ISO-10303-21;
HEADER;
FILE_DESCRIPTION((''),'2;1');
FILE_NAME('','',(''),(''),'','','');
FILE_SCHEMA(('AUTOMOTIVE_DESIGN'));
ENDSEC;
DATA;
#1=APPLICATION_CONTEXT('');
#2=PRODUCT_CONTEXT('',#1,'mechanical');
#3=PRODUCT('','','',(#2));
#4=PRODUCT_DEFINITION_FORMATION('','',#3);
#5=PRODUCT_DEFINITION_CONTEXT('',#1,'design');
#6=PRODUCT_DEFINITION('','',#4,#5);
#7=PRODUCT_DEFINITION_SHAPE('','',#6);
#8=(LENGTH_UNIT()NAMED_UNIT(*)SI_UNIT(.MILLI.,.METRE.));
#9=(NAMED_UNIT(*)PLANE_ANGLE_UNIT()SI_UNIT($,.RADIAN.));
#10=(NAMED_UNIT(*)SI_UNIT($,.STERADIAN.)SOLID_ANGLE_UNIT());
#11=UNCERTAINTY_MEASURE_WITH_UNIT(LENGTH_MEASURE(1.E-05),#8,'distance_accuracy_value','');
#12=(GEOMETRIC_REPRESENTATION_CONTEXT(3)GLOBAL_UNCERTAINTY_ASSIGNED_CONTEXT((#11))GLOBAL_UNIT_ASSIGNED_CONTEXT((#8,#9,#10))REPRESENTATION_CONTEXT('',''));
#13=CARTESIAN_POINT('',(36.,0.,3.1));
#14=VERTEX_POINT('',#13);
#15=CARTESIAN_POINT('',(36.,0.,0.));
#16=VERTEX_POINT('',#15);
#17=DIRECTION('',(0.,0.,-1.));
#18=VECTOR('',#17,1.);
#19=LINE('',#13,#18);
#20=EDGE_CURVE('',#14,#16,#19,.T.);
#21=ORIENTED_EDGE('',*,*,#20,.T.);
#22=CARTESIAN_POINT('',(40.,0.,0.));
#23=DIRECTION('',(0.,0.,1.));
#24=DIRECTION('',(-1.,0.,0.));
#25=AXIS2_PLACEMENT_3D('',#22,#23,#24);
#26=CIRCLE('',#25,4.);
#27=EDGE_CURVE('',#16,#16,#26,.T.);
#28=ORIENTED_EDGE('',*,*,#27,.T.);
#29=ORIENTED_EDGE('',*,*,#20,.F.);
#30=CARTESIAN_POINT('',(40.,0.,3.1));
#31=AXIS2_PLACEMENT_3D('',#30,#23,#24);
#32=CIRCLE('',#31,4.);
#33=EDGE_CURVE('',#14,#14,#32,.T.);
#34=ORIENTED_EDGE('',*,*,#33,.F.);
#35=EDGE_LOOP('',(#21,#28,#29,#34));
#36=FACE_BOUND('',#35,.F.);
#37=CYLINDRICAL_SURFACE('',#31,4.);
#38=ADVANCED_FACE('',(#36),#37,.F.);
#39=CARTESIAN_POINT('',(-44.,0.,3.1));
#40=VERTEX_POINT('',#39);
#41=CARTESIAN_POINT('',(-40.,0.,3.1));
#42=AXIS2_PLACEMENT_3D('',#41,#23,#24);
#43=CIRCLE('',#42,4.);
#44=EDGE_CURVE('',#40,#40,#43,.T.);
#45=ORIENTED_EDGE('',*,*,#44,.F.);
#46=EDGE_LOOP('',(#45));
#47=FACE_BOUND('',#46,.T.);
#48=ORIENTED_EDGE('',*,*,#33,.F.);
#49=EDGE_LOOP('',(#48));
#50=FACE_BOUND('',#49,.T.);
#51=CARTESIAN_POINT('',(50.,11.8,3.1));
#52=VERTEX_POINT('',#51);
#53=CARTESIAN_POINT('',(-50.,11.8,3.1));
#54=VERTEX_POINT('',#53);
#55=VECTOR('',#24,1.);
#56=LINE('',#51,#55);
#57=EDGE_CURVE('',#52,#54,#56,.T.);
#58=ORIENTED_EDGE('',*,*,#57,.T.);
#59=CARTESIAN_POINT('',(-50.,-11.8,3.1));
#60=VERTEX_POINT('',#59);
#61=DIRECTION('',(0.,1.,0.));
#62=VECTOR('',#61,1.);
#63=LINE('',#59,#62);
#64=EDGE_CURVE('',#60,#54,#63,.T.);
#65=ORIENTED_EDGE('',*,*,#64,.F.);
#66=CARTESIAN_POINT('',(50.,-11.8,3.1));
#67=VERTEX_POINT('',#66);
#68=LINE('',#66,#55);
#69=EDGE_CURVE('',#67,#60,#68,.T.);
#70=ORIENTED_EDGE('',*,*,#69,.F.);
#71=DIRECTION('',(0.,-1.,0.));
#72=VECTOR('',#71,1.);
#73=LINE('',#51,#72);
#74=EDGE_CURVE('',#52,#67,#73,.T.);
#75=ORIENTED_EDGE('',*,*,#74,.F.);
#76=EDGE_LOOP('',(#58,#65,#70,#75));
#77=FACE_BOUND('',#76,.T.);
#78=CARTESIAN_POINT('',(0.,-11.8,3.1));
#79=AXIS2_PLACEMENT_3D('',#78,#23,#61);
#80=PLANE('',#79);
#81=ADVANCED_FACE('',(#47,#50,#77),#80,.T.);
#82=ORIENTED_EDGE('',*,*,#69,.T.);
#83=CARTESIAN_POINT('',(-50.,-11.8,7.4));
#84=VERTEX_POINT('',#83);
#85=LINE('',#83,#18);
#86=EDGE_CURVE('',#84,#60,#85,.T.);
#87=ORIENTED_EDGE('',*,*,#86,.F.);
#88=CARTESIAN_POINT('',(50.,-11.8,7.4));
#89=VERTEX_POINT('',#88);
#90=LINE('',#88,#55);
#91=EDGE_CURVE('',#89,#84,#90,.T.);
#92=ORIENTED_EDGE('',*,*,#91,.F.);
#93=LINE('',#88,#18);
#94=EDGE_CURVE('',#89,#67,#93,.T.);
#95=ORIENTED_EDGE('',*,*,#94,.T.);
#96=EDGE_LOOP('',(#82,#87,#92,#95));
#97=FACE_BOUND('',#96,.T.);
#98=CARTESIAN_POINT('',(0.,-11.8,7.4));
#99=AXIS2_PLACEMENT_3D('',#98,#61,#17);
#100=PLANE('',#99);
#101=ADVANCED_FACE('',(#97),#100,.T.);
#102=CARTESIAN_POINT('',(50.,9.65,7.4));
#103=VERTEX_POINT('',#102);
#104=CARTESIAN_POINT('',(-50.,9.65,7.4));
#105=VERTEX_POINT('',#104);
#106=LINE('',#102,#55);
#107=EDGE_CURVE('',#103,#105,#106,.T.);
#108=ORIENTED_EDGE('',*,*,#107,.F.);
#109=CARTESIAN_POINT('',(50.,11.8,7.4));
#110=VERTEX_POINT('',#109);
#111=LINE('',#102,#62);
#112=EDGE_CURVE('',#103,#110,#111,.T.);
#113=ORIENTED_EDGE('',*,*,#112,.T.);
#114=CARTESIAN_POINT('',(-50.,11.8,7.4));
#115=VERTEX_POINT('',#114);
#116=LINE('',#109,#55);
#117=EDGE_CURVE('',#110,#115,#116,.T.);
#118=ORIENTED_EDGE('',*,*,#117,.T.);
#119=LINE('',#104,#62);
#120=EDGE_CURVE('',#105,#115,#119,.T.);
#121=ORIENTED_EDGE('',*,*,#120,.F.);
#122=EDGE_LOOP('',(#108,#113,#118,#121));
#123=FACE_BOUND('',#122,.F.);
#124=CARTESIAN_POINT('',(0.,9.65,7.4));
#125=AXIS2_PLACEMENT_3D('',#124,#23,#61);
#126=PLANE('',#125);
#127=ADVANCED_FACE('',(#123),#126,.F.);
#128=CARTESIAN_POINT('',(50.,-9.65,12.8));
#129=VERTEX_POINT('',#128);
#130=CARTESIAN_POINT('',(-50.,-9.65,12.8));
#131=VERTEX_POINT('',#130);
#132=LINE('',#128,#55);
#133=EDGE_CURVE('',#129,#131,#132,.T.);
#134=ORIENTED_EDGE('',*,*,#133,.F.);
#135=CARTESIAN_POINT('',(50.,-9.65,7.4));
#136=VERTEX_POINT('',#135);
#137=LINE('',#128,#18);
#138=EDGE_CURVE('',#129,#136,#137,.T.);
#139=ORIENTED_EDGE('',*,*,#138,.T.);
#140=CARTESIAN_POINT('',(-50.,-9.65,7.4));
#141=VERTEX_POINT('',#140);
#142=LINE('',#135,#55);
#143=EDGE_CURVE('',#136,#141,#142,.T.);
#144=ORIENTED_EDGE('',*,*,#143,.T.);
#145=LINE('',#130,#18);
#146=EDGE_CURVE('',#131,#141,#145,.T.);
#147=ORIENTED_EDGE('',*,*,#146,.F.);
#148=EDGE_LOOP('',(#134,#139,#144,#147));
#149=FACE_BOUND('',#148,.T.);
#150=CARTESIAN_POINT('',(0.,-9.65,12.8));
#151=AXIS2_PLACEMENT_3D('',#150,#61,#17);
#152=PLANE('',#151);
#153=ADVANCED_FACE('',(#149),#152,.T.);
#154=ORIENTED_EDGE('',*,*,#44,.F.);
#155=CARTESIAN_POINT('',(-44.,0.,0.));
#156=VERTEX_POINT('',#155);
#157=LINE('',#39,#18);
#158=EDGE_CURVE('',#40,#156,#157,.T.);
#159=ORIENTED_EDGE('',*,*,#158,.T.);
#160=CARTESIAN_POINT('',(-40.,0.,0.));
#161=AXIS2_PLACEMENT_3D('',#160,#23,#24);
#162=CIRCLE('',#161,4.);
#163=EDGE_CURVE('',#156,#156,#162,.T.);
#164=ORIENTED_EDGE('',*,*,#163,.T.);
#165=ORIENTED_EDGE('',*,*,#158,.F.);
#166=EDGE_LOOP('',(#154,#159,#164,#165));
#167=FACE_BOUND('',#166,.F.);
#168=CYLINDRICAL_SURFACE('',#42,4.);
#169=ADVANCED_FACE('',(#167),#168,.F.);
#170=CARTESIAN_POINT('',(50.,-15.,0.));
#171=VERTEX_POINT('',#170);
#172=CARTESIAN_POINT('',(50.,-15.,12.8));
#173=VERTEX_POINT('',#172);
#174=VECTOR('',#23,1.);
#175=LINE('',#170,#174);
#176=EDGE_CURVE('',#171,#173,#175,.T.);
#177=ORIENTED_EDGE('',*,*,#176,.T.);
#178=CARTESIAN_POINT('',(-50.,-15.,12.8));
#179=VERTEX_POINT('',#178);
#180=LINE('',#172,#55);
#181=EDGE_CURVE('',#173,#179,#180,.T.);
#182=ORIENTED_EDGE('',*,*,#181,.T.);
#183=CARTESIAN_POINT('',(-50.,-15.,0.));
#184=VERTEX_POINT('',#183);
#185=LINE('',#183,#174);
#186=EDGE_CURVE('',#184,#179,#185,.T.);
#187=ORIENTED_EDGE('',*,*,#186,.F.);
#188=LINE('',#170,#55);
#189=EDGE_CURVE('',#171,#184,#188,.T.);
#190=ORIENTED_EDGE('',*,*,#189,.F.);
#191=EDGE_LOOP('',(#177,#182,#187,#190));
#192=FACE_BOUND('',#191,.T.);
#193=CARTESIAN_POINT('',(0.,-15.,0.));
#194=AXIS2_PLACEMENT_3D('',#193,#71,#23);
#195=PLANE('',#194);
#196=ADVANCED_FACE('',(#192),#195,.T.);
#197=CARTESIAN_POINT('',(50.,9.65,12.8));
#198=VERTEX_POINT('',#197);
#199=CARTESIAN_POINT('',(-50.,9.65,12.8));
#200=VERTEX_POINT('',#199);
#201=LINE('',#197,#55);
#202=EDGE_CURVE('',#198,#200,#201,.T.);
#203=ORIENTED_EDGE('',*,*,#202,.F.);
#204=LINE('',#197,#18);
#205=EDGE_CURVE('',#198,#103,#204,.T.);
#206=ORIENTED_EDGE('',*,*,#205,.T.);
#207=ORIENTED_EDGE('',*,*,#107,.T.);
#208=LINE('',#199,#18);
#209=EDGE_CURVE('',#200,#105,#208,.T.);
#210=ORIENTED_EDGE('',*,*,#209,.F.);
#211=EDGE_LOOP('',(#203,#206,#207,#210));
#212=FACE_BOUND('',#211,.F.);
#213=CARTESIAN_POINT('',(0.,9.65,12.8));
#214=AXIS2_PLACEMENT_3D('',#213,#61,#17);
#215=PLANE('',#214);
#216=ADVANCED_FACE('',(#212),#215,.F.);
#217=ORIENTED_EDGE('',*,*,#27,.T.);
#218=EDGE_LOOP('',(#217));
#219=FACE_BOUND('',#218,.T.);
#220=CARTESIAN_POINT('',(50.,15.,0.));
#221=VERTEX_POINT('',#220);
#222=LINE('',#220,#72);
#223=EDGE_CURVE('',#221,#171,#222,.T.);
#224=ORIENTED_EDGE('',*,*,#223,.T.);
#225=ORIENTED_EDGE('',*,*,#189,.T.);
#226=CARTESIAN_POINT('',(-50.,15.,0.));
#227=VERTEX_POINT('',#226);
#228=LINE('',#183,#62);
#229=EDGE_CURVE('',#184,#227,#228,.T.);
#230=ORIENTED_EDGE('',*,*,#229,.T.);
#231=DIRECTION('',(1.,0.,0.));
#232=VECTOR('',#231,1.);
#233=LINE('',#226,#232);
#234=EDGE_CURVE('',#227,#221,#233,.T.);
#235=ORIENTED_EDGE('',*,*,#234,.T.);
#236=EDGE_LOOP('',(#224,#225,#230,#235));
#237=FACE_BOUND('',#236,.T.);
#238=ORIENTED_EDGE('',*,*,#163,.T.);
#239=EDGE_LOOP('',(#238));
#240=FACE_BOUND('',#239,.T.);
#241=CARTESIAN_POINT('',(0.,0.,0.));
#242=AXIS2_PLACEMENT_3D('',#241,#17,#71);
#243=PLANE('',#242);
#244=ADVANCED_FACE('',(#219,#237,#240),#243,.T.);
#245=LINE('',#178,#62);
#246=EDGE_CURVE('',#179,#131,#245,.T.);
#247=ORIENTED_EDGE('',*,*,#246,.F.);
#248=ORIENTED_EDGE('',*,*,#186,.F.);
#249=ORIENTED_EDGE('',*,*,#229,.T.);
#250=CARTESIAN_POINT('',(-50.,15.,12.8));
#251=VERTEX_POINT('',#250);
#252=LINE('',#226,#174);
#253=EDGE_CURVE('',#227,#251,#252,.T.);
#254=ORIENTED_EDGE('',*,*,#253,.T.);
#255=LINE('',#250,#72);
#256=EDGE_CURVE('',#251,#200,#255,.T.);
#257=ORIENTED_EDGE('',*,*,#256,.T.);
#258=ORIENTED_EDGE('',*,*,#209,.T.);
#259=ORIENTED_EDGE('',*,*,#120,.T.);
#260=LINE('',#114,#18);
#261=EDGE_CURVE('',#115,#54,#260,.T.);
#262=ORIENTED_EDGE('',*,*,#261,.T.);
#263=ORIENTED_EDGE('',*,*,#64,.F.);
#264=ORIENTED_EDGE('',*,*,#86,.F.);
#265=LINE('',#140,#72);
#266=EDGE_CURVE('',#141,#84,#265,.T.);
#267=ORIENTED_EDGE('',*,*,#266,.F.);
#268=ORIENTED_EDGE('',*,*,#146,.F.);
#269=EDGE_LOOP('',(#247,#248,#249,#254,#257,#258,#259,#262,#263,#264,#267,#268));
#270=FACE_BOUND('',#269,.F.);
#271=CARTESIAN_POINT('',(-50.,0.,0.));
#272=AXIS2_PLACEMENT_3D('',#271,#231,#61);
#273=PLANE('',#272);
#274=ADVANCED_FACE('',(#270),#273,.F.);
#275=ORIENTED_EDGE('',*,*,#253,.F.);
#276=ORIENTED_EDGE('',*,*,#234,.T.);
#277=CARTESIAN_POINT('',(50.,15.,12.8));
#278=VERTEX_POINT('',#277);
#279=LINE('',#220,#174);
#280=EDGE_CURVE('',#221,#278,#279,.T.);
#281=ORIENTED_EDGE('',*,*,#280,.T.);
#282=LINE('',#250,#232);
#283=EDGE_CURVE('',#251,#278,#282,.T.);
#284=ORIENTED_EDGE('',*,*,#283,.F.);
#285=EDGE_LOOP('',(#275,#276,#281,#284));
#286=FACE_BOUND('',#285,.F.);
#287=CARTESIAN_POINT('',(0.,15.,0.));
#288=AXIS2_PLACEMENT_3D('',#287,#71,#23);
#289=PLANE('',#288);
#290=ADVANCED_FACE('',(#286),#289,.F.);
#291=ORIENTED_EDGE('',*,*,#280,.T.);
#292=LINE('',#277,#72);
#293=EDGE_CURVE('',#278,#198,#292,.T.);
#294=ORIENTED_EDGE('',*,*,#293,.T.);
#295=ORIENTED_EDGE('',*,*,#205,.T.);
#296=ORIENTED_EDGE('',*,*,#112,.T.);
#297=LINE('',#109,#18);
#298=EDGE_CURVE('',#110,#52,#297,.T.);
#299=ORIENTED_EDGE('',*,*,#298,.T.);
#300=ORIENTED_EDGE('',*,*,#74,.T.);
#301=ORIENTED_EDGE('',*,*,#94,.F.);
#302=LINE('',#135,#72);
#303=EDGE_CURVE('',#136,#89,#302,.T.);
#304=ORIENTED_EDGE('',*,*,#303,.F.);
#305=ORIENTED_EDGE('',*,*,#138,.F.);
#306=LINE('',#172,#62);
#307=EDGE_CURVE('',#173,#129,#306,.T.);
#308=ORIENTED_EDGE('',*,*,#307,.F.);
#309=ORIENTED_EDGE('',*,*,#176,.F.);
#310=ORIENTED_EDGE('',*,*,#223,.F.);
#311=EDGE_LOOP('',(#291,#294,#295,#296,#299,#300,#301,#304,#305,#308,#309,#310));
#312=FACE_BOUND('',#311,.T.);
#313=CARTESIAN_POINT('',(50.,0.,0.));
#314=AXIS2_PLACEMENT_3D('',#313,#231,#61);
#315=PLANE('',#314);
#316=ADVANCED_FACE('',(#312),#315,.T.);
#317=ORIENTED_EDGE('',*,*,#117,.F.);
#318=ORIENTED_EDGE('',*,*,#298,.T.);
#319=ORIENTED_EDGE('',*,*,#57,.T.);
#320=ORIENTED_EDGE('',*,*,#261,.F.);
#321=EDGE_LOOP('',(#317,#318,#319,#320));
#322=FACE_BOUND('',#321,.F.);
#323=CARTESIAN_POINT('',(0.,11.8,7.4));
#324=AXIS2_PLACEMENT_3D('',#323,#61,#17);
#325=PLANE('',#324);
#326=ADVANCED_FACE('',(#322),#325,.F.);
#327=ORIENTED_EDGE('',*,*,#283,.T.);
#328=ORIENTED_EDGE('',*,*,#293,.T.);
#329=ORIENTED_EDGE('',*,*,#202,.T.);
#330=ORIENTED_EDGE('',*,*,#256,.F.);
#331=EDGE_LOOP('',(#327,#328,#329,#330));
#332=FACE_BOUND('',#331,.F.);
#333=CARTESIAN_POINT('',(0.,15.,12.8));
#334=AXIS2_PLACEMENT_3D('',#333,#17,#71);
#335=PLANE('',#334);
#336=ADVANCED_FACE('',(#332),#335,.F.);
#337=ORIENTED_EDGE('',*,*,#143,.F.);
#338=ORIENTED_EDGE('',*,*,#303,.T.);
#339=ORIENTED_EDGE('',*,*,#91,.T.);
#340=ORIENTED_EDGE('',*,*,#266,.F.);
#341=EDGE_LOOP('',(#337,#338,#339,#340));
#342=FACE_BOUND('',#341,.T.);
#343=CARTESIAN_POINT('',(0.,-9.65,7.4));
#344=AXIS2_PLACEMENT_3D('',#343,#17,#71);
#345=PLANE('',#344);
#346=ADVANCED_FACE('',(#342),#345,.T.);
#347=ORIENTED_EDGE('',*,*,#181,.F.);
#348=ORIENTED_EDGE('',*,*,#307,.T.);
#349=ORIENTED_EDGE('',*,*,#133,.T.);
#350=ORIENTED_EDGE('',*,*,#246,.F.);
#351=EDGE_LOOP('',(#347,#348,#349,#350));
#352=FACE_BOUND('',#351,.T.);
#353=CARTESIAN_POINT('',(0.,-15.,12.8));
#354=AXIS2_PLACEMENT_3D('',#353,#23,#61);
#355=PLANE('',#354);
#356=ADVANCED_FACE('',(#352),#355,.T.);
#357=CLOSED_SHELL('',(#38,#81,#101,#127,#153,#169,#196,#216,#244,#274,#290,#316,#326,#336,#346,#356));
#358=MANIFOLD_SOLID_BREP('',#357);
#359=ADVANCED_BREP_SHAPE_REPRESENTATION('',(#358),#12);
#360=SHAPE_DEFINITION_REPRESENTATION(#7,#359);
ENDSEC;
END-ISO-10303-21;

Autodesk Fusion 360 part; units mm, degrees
sketch "frame_ext_YZ" plane through (0, 0, 0) normal (1, 0, 0) x (0, 1, 0)
  line L0 (0, 0) -> (15, 0)
  line L1 (15, 0) -> (15, 12.8)
  line L2 (0, 0) -> (0, 15) construction
  line L3 (15, 12.8) -> (9.65, 12.8)
  line L4 (9.65, 12.8) -> (9.65, 7.4)
  line L5 (9.65, 7.4) -> (11.8, 7.4)
  line L6 (11.8, 7.4) -> (11.8, 3.1)
  line L7 (11.8, 3.1) -> (0, 3.1)
  line L8 (-9.65, 12.8) -> (-9.65, 7.4)
  line L9 (-9.65, 7.4) -> (-11.8, 7.4)
  line L10 (-11.8, 7.4) -> (-11.8, 3.1)
  line L11 (0, 0) -> (-15, 0)
  line L12 (-15, 12.8) -> (-9.65, 12.8)
  line L13 (-15, 0) -> (-15, 12.8)
  line L14 (-11.8, 3.1) -> (0, 3.1)
  dimension "d1" = 15
  dimension "d2" = 12.8
  dimension "d4" = 5.35
  dimension "d5" = 5.4
  dimension "d11" = 2.15
  dimension "d12" = 4.3
extrude "Extrude1" add sketch "frame_ext_YZ" along normal mid plane 100
sketch "frame_ext_YX" plane through (0, 0, 3.1) normal (0, 0, 1) x (-1, 0, 0)
  line L0 (50, 11.8) -> (-50, 11.8)
  line L1 (-50, 11.8) -> (-50, -11.8)
  line L2 (-50, -11.8) -> (50, -11.8)
  line L3 (50, -11.8) -> (50, 11.8)
  line L4 (0, 0) -> (-40, 0) construction
  circle A0 centre (-40, 0) radius 4
  line L5 (0, 0) -> (0, 53.6768) construction
  circle A1 centre (40, 0) radius 4
  dimension "d16" = 40
  dimension "d17" = 8
extrude "Extrude2" cut sketch "frame_ext_YX" against normal up to surface (3.1 mm away) contours A0 | A1
equation "d4 = ( 30 / 2 ) * 1 mm - ( 19.3 / 2 ) * 1 mm"
equation "Alu_M6_M8_T_track_length = 100 mm" comment "dlugosc ramki"
equation "d14 = Alu_M6_M8_T_track_length / 2"
equation "d16 = ( Alu_M6_M8_T_track_length / 2 ) - 10 mm"
